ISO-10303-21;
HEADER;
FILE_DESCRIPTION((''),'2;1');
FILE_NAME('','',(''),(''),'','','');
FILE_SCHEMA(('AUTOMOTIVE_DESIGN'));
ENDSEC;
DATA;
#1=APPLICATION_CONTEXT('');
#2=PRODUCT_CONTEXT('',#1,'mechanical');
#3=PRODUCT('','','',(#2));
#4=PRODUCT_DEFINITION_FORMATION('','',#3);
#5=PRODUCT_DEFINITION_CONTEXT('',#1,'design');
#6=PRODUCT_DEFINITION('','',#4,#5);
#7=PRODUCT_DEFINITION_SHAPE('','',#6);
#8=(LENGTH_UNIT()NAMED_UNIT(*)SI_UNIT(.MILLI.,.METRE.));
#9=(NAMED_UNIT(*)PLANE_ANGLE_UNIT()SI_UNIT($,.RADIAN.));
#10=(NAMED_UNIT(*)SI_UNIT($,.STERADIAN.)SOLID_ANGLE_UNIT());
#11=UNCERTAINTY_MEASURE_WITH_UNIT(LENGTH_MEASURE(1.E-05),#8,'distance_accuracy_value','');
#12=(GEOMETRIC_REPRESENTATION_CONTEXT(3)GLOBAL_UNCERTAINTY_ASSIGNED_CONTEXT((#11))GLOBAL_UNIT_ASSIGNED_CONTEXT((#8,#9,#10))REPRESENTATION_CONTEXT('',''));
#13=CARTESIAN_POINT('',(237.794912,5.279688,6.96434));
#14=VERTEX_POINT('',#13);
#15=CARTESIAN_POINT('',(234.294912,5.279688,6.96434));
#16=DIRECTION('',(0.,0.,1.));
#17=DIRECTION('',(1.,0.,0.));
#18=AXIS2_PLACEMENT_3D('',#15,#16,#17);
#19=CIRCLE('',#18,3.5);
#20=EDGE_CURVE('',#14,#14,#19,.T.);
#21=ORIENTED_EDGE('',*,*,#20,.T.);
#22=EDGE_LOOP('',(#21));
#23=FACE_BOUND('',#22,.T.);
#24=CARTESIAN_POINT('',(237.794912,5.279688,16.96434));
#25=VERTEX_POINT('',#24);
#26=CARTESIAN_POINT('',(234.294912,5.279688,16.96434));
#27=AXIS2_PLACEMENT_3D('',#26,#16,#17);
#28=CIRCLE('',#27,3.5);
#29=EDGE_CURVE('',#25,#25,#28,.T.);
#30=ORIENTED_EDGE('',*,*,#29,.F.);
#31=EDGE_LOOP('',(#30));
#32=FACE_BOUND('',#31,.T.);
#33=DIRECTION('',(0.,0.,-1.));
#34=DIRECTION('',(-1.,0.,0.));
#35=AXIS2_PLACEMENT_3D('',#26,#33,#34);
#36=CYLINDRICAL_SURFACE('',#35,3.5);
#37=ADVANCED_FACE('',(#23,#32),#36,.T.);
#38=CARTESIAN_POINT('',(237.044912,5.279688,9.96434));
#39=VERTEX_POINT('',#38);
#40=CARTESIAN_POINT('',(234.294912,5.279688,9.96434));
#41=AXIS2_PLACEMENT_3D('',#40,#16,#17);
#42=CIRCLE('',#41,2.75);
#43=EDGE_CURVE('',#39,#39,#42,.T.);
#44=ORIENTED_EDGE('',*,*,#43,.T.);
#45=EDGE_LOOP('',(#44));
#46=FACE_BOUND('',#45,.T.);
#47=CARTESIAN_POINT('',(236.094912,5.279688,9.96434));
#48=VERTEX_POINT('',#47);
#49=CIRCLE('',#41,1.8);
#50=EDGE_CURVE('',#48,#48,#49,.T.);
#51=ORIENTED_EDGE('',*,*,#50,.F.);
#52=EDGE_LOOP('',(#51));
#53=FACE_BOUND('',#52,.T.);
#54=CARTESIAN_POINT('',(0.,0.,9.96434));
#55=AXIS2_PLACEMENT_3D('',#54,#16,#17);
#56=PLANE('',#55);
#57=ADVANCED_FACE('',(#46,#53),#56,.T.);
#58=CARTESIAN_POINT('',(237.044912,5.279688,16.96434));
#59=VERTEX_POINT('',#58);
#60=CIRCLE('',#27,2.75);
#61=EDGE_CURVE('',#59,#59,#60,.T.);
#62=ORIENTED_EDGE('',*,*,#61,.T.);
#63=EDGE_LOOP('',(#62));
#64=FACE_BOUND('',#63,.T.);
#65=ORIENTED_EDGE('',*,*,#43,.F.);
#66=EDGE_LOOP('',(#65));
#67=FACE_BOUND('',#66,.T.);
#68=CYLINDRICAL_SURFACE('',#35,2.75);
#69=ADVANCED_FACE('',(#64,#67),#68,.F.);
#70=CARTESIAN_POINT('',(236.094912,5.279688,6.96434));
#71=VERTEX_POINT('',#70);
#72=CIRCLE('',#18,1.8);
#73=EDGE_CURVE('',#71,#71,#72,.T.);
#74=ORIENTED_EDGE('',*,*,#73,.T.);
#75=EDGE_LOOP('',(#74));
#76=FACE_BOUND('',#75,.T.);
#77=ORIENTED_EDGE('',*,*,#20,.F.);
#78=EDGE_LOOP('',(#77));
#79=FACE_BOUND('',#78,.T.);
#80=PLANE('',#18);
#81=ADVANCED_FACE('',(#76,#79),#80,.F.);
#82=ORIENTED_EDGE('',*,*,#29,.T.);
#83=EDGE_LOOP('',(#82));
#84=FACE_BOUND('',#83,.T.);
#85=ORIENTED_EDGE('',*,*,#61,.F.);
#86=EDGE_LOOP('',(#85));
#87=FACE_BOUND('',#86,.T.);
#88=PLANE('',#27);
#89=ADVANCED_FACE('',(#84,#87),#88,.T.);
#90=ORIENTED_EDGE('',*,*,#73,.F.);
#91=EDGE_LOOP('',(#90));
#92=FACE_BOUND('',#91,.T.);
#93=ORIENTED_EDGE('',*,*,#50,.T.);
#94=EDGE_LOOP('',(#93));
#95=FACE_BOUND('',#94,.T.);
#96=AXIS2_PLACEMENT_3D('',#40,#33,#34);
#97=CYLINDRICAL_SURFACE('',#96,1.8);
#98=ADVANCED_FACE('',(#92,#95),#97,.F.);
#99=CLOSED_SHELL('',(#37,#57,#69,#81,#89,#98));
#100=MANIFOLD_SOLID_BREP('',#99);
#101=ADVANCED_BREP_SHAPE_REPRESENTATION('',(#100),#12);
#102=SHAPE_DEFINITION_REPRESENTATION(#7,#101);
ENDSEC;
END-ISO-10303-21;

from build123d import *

# Parameters (mm, degrees)
SKETCH2_R           = 3.5
SKETCH2_R_2         = 2.75
BOSS_EXTRUDE1_DEPTH = 10
SKETCH2_3_R         = 2.75
SKETCH2_3_R_2       = 1.8
BOSS_EXTRUDE2_DEPTH = 3


with BuildPart() as part:
    # Sketch2 → Boss-Extrude1 (new body)
    with BuildSketch(Plane.XY.offset(6.964339655)):
        with Locations((234.294911568, 5.279687523)):
            Circle(SKETCH2_R)
        with Locations((234.294911568, 5.279687523)):
            Circle(SKETCH2_R_2, mode=Mode.SUBTRACT)
    extrude(amount=BOSS_EXTRUDE1_DEPTH)

    # Sketch2<3> → Boss-Extrude2 (add)
    with BuildSketch(Plane.XY.offset(6.964339655)):
        with Locations((234.294911568, 5.279687523)):
            Circle(SKETCH2_3_R)
        with Locations((234.294911568, 5.279687523)):
            Circle(SKETCH2_3_R_2, mode=Mode.SUBTRACT)
    extrude(amount=BOSS_EXTRUDE2_DEPTH)


solid = part.part
